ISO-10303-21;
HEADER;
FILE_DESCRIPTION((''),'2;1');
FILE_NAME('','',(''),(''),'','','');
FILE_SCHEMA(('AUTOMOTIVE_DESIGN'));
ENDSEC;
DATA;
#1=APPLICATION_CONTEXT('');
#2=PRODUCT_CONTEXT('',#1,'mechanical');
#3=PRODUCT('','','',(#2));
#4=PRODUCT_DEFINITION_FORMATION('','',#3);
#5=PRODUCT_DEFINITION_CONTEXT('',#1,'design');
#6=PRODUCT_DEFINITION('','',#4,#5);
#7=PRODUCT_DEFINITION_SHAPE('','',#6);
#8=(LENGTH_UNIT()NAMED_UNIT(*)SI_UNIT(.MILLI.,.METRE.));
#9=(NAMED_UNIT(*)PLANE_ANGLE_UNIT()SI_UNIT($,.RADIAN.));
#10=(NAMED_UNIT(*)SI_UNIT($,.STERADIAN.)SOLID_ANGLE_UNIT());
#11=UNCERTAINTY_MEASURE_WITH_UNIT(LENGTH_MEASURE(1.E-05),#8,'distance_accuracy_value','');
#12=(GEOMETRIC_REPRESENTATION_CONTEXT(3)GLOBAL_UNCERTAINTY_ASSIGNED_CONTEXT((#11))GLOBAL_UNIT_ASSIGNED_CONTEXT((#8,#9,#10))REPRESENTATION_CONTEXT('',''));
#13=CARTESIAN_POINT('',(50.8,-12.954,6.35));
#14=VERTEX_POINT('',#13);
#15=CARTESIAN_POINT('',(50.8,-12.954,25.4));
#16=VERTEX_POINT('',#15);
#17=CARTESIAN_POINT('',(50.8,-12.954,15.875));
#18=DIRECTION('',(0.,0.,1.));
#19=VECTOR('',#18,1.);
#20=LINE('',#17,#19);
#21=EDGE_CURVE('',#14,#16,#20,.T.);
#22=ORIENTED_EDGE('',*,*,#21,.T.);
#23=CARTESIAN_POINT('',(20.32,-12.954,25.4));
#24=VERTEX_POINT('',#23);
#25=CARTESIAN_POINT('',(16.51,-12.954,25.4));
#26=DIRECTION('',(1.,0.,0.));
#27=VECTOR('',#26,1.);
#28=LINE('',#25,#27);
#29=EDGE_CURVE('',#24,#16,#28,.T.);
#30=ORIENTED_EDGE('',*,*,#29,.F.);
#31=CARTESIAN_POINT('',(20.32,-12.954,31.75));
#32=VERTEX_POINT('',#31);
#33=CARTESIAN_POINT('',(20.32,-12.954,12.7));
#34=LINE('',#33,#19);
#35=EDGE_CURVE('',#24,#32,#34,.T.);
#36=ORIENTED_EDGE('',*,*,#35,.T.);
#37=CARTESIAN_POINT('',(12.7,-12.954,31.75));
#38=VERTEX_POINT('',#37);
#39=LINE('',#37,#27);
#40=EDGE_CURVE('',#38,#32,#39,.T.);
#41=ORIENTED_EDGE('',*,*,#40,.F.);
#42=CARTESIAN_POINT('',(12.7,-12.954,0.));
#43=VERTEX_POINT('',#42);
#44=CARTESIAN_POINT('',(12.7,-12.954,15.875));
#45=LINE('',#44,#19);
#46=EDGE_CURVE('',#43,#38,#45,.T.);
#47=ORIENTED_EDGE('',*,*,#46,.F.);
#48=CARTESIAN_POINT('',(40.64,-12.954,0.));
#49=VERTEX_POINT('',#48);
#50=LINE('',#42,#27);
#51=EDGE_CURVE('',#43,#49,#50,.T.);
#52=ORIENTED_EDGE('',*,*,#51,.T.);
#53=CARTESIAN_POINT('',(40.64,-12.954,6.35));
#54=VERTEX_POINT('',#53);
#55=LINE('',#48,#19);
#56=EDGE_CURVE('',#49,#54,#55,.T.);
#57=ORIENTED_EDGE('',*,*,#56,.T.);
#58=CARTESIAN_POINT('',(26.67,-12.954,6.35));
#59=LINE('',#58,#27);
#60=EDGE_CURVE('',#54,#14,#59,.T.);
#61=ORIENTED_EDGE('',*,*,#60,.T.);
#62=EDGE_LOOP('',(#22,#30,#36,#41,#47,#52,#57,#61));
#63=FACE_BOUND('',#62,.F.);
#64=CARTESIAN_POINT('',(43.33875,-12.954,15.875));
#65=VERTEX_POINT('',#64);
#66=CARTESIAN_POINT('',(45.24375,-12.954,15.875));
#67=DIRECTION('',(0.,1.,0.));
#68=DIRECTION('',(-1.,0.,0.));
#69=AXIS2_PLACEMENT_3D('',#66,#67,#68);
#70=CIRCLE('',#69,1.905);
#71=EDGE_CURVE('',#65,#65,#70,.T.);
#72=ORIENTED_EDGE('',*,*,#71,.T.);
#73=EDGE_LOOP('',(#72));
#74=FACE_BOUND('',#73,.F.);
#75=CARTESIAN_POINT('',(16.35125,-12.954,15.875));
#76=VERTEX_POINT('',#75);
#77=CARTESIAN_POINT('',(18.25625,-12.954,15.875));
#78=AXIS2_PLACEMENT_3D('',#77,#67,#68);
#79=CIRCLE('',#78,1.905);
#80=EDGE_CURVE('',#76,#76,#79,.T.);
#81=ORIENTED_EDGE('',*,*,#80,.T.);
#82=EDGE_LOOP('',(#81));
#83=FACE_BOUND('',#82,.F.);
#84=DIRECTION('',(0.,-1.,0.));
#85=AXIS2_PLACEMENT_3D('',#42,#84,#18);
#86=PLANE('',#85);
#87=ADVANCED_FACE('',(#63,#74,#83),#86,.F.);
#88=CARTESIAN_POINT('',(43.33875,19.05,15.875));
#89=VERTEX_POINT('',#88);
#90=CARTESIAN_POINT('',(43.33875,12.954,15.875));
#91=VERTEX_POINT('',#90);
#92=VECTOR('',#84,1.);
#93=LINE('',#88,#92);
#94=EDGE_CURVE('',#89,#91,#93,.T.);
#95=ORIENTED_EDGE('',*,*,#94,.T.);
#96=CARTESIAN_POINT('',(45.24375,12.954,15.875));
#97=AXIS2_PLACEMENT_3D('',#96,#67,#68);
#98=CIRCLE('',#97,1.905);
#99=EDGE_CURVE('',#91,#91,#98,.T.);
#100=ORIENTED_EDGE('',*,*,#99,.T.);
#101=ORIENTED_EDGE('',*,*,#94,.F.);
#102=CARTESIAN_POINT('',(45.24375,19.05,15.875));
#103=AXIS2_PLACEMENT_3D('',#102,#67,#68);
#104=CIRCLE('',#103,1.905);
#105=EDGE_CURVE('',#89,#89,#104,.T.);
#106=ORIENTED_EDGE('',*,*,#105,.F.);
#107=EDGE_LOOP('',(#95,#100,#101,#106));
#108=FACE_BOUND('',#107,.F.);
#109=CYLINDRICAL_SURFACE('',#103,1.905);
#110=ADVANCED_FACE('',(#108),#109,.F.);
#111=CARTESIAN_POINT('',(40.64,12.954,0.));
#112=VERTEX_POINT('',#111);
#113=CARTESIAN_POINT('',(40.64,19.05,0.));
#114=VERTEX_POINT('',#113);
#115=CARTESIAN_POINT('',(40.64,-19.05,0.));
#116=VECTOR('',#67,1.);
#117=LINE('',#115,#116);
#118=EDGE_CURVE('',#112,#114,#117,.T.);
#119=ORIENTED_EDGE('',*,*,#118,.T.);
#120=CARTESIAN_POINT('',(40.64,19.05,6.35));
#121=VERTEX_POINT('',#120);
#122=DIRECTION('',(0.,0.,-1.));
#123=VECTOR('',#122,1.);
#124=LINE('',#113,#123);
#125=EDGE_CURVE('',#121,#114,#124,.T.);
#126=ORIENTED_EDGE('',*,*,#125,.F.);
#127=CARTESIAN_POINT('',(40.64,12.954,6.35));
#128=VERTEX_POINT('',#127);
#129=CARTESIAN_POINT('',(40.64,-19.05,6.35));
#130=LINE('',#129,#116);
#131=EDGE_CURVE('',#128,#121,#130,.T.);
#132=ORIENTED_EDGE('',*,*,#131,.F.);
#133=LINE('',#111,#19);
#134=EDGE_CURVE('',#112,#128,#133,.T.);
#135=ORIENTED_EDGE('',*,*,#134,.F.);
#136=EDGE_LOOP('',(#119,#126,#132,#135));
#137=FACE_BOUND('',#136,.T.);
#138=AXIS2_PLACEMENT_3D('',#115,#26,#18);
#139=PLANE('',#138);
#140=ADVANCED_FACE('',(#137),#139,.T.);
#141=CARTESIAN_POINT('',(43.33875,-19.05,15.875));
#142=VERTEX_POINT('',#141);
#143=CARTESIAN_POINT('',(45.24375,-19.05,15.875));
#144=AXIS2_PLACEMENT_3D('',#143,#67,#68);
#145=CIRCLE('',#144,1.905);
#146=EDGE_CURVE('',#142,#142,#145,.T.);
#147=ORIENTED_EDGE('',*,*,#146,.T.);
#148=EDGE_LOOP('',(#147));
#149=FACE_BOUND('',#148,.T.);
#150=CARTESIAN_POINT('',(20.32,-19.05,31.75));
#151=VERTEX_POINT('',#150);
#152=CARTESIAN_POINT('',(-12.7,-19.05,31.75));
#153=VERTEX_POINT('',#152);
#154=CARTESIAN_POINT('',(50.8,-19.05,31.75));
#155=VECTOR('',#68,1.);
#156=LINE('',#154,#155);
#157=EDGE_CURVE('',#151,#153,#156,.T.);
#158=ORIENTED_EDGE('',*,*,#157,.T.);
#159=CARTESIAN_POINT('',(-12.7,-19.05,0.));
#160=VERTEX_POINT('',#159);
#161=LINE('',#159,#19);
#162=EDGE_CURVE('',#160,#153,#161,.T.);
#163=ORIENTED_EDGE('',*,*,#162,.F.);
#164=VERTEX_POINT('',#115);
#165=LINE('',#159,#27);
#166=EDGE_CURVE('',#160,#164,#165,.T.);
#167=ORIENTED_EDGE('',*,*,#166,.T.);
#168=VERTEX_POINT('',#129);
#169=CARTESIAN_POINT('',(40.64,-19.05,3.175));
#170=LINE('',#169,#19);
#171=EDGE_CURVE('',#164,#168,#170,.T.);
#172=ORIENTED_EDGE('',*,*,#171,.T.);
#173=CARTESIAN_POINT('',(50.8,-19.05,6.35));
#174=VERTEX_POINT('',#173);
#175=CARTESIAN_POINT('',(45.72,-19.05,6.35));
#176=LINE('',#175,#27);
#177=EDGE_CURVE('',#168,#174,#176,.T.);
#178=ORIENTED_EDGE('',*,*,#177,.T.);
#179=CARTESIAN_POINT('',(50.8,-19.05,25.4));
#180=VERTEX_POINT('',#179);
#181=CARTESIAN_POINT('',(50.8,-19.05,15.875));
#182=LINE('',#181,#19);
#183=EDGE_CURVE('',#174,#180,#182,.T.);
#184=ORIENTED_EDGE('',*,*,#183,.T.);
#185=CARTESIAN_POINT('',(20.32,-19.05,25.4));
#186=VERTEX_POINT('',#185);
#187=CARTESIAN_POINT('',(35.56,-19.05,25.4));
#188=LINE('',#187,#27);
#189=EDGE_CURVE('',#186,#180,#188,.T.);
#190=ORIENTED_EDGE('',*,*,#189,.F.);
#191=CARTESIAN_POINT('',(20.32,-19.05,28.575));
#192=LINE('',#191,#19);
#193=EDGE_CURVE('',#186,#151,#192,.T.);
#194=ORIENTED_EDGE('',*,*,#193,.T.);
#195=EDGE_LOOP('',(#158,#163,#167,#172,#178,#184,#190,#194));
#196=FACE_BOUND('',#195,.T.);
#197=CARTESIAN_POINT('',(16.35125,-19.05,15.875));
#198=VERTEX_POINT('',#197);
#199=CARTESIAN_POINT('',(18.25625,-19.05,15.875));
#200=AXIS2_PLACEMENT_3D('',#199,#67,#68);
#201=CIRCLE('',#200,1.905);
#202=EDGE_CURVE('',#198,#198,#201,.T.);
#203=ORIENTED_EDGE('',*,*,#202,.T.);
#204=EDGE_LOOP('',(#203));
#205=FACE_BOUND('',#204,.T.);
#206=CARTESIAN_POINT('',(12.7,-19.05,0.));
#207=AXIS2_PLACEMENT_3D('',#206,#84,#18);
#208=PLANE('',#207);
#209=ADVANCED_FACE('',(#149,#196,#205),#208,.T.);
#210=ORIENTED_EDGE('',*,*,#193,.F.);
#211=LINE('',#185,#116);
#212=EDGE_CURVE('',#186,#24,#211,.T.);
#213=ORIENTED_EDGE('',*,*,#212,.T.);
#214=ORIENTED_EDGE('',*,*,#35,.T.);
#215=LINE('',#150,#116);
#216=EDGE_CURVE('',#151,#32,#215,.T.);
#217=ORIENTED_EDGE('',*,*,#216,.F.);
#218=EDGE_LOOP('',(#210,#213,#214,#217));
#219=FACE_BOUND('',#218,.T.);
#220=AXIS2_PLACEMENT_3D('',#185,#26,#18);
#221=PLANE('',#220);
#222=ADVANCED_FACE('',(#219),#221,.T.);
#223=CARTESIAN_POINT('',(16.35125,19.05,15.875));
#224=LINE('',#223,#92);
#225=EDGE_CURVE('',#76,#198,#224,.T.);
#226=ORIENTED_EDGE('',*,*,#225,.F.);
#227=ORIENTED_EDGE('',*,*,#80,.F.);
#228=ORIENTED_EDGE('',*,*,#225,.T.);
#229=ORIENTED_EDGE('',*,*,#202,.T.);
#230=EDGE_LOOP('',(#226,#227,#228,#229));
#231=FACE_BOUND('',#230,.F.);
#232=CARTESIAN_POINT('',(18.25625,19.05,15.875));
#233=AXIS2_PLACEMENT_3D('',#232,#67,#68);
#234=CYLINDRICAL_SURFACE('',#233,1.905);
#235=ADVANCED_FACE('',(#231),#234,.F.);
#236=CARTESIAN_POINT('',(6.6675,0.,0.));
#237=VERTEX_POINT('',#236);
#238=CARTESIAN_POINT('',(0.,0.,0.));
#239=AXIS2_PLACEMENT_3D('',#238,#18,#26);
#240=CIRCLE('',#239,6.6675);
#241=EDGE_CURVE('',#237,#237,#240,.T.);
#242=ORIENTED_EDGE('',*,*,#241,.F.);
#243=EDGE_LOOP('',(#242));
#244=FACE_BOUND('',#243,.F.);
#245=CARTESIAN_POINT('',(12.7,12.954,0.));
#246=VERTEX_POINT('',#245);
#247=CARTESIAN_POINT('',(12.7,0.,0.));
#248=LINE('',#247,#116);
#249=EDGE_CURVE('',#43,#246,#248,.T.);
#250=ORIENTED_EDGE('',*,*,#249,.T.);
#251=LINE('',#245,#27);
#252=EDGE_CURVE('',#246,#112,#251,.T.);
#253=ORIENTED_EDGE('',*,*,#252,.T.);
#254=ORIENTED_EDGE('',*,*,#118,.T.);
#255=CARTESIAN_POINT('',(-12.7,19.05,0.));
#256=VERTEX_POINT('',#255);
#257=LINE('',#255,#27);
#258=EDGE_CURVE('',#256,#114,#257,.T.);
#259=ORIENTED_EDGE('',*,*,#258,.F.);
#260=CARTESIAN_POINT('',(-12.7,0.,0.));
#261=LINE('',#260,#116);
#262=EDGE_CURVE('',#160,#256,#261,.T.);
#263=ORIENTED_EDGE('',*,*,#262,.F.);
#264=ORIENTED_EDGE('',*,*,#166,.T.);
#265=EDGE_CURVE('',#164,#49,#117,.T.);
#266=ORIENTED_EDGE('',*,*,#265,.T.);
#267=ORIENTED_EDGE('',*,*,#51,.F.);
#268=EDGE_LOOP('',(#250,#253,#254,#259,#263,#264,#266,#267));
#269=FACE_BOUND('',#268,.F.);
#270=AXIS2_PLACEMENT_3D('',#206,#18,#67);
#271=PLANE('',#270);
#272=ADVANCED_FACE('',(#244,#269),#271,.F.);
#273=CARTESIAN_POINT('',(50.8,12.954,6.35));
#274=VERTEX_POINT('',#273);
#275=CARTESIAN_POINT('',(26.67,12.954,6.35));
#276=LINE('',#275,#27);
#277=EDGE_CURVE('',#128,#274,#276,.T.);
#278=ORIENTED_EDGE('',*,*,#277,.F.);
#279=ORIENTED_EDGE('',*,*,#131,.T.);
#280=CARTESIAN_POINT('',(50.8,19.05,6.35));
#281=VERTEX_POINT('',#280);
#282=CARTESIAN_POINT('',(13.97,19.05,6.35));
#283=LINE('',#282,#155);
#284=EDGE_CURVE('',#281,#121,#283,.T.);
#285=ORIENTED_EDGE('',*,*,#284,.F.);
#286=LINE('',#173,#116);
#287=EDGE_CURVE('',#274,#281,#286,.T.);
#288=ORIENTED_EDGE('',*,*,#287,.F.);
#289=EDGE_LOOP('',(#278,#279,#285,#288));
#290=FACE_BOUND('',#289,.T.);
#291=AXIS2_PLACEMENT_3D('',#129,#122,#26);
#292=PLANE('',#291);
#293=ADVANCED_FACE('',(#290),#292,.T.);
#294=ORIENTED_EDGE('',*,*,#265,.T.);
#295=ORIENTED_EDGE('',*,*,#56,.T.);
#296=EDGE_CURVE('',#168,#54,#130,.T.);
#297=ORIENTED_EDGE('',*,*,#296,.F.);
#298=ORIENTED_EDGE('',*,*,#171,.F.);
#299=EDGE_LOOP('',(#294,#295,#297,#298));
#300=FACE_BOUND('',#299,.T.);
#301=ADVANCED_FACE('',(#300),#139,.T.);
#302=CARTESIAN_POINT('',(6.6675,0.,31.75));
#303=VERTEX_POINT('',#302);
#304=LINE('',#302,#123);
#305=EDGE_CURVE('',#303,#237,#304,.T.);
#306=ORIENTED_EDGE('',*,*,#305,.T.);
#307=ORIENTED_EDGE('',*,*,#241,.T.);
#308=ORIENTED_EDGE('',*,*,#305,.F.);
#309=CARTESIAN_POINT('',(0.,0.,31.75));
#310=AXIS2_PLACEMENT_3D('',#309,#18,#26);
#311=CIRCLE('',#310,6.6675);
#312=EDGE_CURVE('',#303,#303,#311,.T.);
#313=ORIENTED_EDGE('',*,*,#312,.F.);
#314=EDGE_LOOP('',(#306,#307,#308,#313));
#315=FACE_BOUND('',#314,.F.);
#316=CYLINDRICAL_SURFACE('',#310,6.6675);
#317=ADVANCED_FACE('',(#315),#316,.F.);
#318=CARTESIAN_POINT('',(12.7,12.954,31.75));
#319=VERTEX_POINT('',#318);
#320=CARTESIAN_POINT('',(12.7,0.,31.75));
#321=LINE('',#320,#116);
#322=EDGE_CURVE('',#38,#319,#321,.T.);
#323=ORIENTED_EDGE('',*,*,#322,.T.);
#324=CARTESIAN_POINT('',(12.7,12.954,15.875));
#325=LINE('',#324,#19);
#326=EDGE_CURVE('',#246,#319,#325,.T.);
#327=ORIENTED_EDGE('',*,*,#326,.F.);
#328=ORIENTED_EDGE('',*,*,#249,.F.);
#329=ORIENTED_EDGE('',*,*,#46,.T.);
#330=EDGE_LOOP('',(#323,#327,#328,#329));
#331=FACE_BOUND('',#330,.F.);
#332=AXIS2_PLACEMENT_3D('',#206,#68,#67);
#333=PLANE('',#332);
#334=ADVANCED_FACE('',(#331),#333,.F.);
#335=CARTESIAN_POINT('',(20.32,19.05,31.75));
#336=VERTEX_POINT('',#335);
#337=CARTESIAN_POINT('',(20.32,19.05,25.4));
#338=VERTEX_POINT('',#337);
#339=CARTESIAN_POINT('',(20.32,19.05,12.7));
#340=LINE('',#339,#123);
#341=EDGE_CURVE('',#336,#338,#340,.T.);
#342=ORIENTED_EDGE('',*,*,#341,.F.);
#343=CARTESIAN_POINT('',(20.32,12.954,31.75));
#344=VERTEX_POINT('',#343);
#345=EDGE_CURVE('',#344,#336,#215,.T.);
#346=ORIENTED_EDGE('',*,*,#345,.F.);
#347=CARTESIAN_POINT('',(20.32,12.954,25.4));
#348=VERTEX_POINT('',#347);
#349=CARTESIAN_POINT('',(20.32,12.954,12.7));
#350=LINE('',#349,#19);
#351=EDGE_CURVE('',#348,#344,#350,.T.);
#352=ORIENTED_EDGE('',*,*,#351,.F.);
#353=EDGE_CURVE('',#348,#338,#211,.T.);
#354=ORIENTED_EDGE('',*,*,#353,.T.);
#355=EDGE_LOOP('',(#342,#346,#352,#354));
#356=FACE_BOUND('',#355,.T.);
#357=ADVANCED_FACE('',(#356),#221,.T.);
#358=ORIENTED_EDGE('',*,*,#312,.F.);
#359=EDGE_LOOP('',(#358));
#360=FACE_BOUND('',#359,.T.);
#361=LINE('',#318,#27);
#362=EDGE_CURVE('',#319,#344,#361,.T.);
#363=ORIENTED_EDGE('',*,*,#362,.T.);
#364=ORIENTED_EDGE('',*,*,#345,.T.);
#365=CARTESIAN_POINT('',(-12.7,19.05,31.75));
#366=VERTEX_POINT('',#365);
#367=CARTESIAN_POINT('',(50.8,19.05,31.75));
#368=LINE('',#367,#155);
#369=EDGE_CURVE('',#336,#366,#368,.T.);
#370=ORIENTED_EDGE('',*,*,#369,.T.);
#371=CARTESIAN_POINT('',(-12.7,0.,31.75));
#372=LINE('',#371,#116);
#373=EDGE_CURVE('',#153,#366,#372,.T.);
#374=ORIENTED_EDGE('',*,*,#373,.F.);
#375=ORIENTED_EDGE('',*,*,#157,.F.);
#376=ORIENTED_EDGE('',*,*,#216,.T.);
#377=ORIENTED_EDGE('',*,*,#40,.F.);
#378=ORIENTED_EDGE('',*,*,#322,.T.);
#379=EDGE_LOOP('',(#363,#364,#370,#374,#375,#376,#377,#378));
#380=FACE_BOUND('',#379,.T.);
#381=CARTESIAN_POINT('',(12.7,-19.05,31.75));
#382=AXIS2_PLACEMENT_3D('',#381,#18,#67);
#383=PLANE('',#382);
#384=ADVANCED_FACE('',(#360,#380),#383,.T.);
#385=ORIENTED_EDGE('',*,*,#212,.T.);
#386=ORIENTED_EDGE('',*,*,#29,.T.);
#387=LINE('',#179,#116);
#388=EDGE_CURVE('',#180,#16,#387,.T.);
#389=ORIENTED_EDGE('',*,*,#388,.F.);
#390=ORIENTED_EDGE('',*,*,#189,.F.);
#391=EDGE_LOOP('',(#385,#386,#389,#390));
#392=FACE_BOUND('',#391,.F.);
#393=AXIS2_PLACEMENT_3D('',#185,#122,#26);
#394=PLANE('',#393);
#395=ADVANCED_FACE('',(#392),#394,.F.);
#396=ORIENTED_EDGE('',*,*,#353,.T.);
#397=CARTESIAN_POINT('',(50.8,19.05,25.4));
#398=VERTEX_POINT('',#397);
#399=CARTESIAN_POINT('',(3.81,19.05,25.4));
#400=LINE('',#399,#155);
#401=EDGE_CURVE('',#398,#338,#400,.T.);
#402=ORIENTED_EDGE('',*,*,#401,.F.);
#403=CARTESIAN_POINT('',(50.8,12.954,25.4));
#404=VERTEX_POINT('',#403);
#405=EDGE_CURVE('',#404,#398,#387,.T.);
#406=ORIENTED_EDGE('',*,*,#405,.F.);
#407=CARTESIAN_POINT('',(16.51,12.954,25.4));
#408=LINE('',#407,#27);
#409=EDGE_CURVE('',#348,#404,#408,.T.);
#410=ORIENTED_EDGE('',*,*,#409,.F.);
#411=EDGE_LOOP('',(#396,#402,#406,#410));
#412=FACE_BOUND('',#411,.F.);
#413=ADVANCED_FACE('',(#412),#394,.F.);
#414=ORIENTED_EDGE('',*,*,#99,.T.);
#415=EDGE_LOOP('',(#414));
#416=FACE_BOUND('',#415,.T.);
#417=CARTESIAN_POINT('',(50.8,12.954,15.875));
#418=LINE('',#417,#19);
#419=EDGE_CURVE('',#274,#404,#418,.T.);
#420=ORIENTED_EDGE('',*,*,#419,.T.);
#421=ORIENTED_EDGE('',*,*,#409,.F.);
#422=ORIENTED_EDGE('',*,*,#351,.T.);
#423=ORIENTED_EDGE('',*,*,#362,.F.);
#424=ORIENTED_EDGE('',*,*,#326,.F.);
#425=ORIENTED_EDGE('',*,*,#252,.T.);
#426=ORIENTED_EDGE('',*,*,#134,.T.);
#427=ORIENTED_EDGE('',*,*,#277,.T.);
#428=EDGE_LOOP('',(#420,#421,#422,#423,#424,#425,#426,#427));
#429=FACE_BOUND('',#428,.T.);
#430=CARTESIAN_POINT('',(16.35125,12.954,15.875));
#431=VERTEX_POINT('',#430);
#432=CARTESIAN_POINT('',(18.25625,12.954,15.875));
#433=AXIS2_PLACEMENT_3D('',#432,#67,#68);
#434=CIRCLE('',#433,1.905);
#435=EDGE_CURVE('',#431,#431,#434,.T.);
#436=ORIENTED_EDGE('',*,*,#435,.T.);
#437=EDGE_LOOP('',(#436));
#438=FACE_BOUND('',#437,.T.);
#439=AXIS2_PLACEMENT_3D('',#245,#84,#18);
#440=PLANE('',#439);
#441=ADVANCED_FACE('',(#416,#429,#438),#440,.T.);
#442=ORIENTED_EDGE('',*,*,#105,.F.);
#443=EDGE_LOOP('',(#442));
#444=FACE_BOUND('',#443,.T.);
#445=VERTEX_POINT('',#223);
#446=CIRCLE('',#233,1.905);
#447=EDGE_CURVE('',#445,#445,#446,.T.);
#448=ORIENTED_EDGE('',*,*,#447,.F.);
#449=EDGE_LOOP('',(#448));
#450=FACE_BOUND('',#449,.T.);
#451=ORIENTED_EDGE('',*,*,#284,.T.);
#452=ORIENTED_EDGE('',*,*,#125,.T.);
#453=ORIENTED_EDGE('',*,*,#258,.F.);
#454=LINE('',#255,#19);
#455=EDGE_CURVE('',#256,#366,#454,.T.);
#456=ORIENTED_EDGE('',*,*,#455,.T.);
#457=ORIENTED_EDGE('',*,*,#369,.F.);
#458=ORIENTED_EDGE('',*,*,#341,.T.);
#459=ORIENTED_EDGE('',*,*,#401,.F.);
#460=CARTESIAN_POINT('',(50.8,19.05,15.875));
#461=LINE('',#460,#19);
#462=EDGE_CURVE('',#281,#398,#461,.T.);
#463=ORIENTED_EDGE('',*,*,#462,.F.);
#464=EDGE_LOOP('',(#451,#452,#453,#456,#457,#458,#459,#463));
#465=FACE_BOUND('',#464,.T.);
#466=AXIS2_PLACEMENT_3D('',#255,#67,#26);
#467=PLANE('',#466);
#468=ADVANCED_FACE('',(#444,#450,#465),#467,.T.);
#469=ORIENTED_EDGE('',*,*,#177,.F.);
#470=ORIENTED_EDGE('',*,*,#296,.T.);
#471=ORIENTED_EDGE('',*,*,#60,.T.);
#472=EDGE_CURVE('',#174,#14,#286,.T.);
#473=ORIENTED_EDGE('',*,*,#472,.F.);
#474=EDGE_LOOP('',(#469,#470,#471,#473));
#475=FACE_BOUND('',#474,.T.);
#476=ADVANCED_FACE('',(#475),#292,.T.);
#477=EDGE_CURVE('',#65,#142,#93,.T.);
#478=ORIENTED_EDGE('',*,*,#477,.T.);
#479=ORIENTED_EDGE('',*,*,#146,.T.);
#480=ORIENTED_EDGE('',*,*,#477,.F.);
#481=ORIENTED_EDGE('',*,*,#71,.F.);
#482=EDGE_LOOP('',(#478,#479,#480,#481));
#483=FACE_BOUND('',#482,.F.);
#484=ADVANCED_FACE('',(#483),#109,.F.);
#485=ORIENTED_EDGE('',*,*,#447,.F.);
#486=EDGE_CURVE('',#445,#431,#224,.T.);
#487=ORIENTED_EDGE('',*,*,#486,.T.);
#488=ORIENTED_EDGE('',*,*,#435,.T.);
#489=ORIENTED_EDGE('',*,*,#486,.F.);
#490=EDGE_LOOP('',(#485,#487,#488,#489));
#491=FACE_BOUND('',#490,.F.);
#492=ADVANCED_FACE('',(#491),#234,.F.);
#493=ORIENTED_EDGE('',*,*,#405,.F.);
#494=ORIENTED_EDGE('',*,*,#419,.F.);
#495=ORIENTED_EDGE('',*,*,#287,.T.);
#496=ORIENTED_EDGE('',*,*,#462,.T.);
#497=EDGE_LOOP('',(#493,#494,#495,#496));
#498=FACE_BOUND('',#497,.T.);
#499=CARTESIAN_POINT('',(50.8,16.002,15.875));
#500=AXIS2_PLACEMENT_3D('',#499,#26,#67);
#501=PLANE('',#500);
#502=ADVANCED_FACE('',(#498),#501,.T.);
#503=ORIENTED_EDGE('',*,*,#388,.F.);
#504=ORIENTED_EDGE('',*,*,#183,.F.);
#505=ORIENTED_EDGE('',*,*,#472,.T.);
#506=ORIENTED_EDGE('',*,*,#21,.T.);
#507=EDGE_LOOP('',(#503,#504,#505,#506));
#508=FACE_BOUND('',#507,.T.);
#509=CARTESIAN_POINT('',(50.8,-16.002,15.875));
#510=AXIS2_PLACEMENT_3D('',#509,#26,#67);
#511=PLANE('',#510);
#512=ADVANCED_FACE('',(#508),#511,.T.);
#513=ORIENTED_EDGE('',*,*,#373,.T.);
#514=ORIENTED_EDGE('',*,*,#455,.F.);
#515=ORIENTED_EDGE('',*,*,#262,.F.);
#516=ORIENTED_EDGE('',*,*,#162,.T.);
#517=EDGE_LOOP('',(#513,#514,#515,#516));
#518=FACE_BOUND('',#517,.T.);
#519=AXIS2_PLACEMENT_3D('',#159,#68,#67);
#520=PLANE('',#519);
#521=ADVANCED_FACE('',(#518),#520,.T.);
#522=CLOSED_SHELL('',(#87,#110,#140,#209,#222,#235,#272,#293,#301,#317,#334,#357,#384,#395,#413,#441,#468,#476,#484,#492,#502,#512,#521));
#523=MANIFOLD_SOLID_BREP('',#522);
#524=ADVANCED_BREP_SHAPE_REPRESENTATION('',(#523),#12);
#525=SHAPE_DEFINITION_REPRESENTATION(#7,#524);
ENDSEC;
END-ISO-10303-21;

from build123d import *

# Parameters (mm, degrees)
F0_W     = 25.4
F0_H     = 38.1
F1_DEPTH = 31.75
F2_W     = 6.096
F2_H     = 31.75
F3_DEPTH = 38.1
F4_R     = 6.6675
F5_DEPTH = 31.751
F6_R     = 1.905
F7_DEPTH = 38.101
F8_W     = 10.16
F8_H     = 6.35
F8_W_2   = 30.48
F9_DEPTH = 38.101


with BuildPart() as f1:
    # F0 (on Top) → F1 (new body)
    with BuildSketch(Plane.XY):
        Rectangle(F0_W, F0_H)
    extrude(amount=F1_DEPTH)

    # F2 (on face) → F3 (join)
    with BuildSketch(Plane.YZ.offset(12.7)):
        with Locations((-16.002, 15.875)):
            Rectangle(F2_W, F2_H)
        with Locations((16.002, 15.875)):
            Rectangle(F2_W, F2_H)
    extrude(amount=F3_DEPTH)

    # F4 (on face) → F5 (cut, through all)
    with BuildSketch(Plane.XY.offset(31.75)):
        Circle(F4_R)
    extrude(amount=-F5_DEPTH, mode=Mode.SUBTRACT)

    # F6 (on face) → F7 (cut, through all)
    with BuildSketch(Plane(origin=(0, 19.05, 0), x_dir=(-1, 0, 0), z_dir=(0, 1, 0))):
        with Locations((-45.24375, 15.875)):
            Circle(F6_R)
        with Locations((-18.25625, 15.875)):
            Circle(F6_R)
    extrude(amount=-F7_DEPTH, mode=Mode.SUBTRACT)

    # F8 (on face) → F9 (cut, through all)
    with BuildSketch(Plane.XZ.offset(19.05)):
        with Locations((45.72, 3.175)):
            Rectangle(F8_W, F8_H)
        with Locations((35.56, 28.575)):
            Rectangle(F8_W_2, F8_H)
    extrude(amount=-F9_DEPTH, mode=Mode.SUBTRACT)


solid = f1.part
